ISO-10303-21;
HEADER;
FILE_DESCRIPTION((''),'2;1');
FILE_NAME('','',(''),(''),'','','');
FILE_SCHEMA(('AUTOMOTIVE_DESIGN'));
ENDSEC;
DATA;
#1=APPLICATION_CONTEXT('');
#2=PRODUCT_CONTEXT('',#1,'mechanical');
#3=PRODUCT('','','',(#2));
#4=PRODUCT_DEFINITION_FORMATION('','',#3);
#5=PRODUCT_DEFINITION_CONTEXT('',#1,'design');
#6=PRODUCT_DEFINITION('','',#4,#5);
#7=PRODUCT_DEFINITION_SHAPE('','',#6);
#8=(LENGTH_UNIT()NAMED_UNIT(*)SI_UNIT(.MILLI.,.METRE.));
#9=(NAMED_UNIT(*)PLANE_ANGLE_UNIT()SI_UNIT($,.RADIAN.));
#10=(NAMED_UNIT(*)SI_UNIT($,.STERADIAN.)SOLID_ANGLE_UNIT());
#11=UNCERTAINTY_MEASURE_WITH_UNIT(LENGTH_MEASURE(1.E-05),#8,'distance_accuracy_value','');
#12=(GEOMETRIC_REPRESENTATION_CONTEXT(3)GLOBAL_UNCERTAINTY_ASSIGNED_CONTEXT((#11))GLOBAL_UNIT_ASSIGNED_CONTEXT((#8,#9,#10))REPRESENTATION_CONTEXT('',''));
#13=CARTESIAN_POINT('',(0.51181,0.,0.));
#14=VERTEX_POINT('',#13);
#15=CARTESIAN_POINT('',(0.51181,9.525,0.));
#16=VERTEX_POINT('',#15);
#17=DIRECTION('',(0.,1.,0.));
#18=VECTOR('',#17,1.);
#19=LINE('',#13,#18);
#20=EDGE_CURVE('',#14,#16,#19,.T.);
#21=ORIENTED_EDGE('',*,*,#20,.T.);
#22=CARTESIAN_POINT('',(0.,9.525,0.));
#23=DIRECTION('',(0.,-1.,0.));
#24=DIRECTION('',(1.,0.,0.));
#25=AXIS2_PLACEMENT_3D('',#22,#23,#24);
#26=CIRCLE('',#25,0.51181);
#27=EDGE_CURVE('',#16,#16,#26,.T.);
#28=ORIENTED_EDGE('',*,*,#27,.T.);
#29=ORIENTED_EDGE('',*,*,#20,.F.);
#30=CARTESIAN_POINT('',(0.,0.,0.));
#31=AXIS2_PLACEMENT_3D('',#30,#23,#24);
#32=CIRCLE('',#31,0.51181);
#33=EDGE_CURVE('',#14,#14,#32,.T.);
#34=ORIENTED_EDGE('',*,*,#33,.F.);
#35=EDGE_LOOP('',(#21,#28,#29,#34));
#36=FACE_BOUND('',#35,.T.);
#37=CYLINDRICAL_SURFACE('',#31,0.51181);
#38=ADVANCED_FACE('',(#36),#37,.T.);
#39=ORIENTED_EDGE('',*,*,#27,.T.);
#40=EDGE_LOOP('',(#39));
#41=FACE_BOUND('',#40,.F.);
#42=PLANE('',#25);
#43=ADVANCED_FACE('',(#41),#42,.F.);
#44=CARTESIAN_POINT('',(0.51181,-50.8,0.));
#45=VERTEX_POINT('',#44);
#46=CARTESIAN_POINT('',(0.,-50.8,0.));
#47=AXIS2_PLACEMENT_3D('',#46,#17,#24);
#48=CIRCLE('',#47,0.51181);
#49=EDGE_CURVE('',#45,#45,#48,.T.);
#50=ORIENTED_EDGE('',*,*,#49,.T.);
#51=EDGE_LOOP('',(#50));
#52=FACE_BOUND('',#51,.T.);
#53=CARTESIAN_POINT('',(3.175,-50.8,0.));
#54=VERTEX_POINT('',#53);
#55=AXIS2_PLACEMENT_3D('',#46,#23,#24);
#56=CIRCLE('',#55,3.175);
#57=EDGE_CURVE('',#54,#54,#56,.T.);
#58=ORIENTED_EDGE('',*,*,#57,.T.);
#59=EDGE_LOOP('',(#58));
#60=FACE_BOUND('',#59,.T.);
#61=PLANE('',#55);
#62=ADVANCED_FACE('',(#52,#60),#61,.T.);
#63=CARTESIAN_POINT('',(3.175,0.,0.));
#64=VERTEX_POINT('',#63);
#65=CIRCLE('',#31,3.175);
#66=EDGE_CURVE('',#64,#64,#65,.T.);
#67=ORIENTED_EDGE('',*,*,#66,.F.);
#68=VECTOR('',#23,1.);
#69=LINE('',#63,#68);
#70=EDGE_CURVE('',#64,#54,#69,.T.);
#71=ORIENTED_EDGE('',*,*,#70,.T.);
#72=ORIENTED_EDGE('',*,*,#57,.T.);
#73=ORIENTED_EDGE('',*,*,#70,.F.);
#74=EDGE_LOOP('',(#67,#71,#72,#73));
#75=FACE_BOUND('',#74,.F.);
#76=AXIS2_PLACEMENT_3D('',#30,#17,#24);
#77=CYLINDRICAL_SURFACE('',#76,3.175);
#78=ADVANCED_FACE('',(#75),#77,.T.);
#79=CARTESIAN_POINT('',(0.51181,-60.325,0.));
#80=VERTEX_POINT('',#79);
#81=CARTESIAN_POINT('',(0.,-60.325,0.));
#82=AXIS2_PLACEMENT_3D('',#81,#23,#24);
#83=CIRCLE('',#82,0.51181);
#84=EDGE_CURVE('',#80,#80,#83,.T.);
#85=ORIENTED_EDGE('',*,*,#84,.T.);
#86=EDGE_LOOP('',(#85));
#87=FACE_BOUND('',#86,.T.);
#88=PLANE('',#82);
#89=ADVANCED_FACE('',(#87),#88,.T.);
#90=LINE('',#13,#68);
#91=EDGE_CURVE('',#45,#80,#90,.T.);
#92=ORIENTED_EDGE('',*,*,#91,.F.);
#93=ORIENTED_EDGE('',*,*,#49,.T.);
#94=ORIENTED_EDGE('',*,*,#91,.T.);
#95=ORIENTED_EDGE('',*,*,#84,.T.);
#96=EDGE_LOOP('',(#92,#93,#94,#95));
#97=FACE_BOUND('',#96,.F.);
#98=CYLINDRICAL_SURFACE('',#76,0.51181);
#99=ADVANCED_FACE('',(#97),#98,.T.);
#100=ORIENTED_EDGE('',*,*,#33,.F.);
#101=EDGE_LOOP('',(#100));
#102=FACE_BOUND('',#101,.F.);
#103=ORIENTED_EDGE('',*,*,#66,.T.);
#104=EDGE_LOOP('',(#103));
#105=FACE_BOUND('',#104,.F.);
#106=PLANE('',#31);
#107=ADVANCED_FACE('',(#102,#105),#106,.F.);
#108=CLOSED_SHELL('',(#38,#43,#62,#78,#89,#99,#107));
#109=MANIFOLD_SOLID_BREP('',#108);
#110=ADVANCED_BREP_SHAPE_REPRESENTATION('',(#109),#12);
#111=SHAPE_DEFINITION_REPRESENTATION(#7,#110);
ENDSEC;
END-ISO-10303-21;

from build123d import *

# Parameters (mm, degrees)
F2_R     = 3.175
F5_DEPTH = 50.8
F3_R     = 0.51181
F6_DEPTH = 9.525
F4_R     = 0.51181
F7_DEPTH = 60.325


with BuildPart() as f5:
    # F2 (on Front) → F5 (new body)
    with BuildSketch(Plane.XZ):
        Circle(F2_R)
    extrude(amount=F5_DEPTH)

    # F3 (on Front) → F6 (join)
    with BuildSketch(Plane.XZ):
        Circle(F3_R)
    extrude(amount=-F6_DEPTH)

    # F4 (on Front) → F7 (join)
    with BuildSketch(Plane.XZ):
        Circle(F4_R)
    extrude(amount=F7_DEPTH)


solid = f5.part
